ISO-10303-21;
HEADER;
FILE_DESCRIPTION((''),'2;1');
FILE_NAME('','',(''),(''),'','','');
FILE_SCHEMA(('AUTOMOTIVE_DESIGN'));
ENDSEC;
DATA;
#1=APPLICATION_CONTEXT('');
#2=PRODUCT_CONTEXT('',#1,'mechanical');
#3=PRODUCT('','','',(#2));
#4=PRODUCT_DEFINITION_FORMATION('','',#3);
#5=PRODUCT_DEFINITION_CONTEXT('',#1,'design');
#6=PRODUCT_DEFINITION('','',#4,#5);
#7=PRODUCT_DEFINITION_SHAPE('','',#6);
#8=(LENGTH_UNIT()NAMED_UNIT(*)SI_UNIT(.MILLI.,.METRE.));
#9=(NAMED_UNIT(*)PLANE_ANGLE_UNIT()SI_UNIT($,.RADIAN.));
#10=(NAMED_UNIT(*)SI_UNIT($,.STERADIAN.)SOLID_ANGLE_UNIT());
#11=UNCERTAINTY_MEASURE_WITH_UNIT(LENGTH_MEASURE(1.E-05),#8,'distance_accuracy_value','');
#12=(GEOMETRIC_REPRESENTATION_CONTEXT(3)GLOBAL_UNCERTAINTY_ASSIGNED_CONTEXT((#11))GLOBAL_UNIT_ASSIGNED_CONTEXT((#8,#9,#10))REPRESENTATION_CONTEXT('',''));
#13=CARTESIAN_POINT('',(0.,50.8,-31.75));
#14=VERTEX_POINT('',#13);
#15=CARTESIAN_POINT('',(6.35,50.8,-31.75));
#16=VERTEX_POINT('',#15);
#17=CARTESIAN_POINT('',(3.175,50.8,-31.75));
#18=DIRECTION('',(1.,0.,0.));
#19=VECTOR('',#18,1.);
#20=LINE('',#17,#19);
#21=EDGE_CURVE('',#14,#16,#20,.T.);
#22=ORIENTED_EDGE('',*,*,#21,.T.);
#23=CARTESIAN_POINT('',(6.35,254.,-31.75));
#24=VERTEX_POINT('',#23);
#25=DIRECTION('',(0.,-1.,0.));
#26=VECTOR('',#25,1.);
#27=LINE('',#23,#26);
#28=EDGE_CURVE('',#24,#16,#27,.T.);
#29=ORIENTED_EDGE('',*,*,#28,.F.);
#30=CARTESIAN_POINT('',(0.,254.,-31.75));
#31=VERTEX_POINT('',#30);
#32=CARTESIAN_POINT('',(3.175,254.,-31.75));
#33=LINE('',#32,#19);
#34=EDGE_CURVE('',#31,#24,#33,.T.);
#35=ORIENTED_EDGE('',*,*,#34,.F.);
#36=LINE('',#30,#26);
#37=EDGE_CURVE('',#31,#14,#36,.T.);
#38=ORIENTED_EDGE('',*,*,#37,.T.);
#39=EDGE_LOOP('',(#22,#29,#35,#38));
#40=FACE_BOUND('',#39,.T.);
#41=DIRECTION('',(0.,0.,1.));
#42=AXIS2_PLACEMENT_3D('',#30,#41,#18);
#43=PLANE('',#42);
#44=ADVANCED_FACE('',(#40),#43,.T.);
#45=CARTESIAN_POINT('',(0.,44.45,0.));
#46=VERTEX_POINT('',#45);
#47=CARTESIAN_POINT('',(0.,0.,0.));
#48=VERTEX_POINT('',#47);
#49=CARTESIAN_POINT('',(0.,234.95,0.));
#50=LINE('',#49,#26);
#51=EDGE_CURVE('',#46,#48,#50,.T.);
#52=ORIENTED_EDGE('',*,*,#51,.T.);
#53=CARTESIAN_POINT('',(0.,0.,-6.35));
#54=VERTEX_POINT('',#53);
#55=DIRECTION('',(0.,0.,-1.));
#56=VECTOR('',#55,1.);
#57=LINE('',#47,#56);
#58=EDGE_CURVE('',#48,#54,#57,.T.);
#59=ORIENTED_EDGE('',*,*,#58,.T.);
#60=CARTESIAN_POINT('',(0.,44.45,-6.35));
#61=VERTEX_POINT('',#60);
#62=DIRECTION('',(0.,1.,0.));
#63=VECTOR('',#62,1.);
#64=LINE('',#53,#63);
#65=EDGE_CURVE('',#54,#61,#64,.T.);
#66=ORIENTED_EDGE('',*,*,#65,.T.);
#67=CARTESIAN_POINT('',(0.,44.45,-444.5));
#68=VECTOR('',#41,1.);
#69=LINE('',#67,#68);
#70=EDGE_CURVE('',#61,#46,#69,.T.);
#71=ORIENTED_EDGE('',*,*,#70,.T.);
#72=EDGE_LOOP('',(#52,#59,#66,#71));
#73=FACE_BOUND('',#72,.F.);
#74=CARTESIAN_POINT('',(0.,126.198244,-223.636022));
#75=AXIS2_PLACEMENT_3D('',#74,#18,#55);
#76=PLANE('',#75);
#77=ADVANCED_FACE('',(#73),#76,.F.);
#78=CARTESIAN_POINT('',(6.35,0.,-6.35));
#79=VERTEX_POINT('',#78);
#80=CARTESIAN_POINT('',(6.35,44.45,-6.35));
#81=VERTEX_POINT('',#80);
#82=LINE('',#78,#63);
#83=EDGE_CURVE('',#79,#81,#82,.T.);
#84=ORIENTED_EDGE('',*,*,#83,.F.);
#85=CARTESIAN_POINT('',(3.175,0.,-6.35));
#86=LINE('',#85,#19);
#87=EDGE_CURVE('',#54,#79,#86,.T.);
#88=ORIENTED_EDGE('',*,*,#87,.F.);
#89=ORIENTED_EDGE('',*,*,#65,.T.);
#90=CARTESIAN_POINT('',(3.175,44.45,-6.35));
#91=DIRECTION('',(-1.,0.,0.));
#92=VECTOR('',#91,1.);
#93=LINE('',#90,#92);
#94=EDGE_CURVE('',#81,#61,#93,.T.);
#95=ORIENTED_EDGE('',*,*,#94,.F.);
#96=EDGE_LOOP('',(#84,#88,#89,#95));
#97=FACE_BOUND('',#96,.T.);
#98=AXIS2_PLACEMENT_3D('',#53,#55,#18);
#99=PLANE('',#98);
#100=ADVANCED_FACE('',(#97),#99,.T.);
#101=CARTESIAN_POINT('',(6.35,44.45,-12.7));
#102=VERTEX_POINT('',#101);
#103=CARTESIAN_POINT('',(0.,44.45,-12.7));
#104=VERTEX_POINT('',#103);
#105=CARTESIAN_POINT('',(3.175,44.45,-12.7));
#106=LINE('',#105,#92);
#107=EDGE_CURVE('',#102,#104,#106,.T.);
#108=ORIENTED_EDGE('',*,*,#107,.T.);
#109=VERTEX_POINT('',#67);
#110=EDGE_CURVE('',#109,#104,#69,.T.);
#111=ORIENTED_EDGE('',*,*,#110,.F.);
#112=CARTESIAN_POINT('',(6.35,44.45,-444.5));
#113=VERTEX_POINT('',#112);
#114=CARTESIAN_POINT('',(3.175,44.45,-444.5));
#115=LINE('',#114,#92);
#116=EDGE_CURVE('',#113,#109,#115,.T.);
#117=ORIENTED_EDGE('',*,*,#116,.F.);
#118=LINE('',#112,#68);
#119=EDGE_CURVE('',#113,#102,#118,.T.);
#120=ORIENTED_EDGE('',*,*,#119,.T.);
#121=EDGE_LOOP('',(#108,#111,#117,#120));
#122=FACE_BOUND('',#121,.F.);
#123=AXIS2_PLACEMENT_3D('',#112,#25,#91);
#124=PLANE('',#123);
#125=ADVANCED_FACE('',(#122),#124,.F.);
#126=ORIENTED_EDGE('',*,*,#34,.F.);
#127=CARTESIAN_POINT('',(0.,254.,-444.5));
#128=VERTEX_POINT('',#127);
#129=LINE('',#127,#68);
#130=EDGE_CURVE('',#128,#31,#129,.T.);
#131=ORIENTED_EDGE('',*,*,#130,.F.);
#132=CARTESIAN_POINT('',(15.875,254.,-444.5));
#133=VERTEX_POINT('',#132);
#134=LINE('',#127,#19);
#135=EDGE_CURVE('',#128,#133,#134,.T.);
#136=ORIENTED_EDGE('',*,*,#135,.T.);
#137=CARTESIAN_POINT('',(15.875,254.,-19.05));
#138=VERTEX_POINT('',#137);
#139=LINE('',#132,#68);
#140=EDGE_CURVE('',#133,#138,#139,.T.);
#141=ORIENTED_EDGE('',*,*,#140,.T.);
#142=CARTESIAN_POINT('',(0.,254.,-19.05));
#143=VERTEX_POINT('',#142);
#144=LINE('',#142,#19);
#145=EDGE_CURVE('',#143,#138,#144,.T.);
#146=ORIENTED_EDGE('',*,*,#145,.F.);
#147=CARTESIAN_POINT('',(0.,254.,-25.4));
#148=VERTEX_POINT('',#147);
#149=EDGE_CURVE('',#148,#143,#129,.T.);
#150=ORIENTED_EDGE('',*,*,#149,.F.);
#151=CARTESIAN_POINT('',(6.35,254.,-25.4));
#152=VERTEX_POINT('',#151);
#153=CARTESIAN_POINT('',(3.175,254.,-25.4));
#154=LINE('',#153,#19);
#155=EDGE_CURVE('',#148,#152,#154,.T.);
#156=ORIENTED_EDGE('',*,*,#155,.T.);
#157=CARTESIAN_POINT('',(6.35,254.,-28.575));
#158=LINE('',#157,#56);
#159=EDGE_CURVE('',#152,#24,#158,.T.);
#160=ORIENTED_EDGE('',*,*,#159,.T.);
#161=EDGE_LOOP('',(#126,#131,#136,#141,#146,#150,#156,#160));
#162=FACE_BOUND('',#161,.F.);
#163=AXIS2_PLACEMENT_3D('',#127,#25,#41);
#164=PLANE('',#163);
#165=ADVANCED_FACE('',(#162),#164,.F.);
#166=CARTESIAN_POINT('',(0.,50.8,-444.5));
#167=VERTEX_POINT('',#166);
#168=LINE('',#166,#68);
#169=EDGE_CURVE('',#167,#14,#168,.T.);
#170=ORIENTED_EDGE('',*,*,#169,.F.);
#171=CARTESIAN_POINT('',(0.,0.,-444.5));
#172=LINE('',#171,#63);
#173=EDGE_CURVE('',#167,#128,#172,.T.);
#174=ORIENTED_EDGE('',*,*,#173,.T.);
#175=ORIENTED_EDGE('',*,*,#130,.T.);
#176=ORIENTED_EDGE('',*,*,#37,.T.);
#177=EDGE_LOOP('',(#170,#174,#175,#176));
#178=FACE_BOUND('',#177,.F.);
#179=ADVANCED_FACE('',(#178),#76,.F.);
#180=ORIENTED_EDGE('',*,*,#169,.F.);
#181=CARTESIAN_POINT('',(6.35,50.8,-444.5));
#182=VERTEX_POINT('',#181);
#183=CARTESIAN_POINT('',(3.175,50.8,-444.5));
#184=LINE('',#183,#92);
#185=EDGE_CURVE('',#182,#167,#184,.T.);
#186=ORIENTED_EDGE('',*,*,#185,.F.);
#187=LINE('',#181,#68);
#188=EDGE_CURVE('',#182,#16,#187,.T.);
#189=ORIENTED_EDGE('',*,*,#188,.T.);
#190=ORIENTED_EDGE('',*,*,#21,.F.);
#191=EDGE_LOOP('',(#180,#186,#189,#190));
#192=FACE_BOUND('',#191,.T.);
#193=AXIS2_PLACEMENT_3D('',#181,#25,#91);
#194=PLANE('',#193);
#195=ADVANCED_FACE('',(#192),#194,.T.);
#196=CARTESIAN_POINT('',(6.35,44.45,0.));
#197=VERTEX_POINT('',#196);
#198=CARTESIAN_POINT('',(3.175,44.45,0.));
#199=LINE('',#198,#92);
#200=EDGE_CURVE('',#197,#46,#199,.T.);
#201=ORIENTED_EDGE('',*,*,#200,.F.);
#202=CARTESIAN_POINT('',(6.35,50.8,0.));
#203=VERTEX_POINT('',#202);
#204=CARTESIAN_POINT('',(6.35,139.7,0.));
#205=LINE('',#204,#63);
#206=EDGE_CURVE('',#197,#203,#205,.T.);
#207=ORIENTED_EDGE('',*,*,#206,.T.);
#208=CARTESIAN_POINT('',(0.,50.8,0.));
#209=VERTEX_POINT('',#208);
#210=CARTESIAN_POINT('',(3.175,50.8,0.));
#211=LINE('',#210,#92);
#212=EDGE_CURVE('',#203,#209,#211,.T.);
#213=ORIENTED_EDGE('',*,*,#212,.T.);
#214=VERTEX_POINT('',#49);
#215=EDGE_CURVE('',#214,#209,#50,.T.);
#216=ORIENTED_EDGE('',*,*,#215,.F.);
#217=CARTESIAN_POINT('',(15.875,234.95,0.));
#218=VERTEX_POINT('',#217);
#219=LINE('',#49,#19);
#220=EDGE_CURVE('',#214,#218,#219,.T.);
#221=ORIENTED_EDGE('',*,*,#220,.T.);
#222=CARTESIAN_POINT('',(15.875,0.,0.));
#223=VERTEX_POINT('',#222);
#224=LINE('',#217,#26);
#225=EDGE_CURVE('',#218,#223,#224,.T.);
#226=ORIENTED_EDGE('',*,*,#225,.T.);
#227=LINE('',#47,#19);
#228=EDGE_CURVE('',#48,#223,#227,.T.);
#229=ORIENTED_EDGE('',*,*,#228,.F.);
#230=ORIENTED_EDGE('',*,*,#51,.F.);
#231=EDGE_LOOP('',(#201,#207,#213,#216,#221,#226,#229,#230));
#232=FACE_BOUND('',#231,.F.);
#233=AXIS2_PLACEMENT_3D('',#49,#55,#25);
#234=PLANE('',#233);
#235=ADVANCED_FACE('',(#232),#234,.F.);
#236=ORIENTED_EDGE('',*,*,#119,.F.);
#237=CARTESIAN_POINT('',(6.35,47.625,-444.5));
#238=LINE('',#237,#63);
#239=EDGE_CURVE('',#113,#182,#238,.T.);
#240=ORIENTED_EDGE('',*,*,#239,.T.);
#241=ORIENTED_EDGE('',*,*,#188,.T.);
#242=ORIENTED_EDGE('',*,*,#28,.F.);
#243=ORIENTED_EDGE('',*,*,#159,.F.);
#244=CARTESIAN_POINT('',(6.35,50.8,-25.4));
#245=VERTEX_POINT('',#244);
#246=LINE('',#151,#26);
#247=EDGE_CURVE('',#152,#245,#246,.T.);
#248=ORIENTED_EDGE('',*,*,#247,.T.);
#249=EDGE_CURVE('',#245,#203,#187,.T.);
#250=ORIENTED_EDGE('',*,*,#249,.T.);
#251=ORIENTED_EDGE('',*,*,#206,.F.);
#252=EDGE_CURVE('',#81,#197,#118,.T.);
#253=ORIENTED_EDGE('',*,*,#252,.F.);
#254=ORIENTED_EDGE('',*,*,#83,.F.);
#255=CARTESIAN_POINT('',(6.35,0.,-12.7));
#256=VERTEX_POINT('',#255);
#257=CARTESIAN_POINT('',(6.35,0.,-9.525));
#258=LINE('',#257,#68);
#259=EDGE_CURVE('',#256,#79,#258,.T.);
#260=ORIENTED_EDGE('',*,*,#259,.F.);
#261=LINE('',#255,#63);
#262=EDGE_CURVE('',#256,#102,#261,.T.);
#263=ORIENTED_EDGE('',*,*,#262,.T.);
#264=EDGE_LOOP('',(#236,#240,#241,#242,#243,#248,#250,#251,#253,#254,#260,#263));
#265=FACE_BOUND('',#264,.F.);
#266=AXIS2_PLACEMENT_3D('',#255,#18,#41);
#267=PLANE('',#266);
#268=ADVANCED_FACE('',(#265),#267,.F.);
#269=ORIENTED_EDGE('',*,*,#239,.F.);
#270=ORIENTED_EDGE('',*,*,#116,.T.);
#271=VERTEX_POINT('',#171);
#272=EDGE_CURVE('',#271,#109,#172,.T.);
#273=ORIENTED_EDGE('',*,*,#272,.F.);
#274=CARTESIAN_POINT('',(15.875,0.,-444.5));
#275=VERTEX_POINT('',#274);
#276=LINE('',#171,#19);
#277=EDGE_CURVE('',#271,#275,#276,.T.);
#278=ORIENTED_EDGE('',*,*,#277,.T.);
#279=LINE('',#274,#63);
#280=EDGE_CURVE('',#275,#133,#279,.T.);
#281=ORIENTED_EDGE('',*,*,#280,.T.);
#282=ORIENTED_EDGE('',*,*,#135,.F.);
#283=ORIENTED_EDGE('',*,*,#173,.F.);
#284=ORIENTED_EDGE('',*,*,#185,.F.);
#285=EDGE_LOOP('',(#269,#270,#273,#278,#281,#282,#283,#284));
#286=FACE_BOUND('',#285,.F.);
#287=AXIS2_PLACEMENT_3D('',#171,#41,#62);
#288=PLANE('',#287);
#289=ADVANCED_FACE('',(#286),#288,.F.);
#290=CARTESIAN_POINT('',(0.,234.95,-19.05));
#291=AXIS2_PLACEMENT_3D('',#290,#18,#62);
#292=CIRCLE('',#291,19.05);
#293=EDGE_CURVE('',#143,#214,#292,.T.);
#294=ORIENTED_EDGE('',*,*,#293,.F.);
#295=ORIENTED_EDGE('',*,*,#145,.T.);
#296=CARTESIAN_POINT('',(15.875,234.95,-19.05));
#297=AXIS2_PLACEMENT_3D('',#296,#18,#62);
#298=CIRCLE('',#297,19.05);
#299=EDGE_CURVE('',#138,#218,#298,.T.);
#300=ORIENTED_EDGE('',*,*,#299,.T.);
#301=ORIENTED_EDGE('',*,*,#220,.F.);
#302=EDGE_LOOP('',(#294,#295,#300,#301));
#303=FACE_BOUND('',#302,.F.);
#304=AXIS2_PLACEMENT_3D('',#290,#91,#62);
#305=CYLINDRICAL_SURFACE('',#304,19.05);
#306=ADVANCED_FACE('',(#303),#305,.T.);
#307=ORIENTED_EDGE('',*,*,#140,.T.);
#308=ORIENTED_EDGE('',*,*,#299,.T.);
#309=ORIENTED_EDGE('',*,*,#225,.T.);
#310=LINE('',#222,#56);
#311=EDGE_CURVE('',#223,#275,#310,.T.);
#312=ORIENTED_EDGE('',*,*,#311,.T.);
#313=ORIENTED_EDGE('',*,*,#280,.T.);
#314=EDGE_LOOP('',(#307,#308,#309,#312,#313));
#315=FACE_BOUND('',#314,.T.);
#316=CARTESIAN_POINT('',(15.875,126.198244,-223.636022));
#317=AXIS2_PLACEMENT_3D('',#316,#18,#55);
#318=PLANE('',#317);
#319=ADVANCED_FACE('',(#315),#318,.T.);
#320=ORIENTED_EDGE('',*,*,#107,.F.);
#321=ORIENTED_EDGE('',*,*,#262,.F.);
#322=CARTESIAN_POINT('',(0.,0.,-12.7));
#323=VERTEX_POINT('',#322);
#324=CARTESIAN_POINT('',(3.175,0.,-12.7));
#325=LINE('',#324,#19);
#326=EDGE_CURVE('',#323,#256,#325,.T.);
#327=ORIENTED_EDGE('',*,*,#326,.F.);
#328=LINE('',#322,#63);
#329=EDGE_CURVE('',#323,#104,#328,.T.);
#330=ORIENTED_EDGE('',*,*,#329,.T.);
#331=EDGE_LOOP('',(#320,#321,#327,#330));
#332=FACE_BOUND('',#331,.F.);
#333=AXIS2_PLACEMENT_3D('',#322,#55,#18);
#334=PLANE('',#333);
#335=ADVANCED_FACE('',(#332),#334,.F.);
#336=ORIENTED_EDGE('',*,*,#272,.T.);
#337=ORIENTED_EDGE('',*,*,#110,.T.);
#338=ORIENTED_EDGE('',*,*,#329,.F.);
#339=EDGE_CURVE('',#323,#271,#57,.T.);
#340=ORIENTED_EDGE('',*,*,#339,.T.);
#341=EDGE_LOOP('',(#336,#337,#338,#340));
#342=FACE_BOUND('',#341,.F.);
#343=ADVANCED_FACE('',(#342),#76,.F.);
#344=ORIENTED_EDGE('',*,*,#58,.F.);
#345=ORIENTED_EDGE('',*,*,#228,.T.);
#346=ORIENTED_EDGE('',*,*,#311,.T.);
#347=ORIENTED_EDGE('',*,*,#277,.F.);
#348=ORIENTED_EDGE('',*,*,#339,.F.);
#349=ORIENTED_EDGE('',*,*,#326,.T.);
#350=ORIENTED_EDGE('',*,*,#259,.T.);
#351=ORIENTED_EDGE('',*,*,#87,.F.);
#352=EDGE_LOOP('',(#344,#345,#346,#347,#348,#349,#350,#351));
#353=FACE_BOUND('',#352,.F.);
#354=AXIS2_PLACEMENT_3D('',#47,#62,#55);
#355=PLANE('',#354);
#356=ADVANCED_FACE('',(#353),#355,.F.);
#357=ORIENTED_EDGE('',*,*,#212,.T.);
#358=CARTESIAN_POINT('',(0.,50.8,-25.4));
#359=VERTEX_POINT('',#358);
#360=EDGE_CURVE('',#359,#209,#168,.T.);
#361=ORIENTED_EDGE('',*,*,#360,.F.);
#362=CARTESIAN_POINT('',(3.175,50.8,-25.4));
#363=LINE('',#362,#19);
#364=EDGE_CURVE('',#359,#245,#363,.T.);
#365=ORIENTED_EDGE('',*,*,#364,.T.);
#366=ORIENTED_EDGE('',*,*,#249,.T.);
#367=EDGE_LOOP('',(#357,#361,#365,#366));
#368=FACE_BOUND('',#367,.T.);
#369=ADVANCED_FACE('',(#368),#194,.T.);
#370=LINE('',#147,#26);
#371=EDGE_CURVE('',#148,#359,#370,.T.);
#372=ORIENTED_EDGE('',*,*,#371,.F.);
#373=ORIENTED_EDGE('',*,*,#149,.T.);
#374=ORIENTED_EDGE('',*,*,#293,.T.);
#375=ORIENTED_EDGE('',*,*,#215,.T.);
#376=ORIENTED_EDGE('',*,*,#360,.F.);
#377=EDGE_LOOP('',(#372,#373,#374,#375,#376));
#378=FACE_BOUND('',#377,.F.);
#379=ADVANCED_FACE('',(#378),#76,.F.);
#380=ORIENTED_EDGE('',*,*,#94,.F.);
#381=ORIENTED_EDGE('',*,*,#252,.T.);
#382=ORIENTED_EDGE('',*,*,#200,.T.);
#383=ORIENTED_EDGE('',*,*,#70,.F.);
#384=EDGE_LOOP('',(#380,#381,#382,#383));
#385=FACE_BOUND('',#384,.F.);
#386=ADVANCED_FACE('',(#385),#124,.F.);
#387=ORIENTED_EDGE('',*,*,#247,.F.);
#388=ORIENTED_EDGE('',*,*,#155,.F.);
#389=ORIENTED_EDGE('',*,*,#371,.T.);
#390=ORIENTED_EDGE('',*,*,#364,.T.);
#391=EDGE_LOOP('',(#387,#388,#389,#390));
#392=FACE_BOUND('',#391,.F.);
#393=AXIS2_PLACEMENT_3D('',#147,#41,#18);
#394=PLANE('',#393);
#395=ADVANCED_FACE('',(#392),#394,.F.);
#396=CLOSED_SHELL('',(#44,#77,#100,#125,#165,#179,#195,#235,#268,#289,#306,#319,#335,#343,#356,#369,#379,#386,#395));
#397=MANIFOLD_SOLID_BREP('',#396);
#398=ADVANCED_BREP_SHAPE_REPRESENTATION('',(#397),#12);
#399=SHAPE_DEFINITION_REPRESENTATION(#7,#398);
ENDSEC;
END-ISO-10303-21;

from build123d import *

# Parameters (mm, degrees)
BOSS_EXTRUDE1_DEPTH = 15.875
SKETCH2_W           = 6.35
SKETCH2_H           = 6.35
CUT_EXTRUDE1_DEPTH  = 445.5
CUT_EXTRUDE2_REACH  = 256
SKETCH3_W           = 6.35
SKETCH3_H           = 6.35
CUT_EXTRUDE3_REACH  = 256
SKETCH4_W           = 6.35
SKETCH4_H           = 6.35


with BuildPart() as part:
    # Sketch1 → Boss-Extrude1 (new body)
    with BuildSketch(Plane(origin=(0, 0, 0), x_dir=(0, 0, -1), z_dir=(1, 0, 0))):
        with BuildLine():
            Line((0, 0), (444.5, 0))
            Line((444.5, 0), (444.5, 254))
            Line((444.5, 254), (19.05, 254))
            ThreePointArc((19.05, 254), (5.579615818, 248.420384182), (0, 234.95))
            Line((0, 234.95), (0, 0))
        make_face()
    extrude(amount=BOSS_EXTRUDE1_DEPTH)

    # Sketch2 → Cut-Extrude1 (cut, through all)
    with BuildSketch(Plane(origin=(0, 0, -444.5), x_dir=(-1, 0, 0), z_dir=(0, 0, -1))):
        with Locations((-3.175, 47.625)):
            Rectangle(SKETCH2_W, SKETCH2_H)
    extrude(amount=-CUT_EXTRUDE1_DEPTH, mode=Mode.SUBTRACT)

    # Sketch3 → Cut-Extrude2 (cut, up to next)
    with BuildSketch(Plane.XZ, mode=Mode.PRIVATE) as cut_extrude2_sk1:
        with Locations((3.175, -9.525)):
            Rectangle(SKETCH3_W, SKETCH3_H)
    cut_extrude2_tool1 = extrude(cut_extrude2_sk1.sketch, amount=-CUT_EXTRUDE2_REACH, mode=Mode.PRIVATE) & part.part
    add(cut_extrude2_tool1.solids().sort_by_distance((3.175, 0, -9.525))[0], mode=Mode.SUBTRACT)

    # Sketch4 → Cut-Extrude3 (cut, up to next)
    with BuildSketch(Plane(origin=(0, 254, 0), x_dir=(1, 0, 0), z_dir=(0, 1, 0)), mode=Mode.PRIVATE) as cut_extrude3_sk1:
        with Locations((3.175, 28.575)):
            Rectangle(SKETCH4_W, SKETCH4_H)
    cut_extrude3_tool1 = extrude(cut_extrude3_sk1.sketch, amount=-CUT_EXTRUDE3_REACH, mode=Mode.PRIVATE) & part.part
    add(cut_extrude3_tool1.solids().sort_by_distance((3.175, 254, -28.575))[0], mode=Mode.SUBTRACT)


solid = part.part
